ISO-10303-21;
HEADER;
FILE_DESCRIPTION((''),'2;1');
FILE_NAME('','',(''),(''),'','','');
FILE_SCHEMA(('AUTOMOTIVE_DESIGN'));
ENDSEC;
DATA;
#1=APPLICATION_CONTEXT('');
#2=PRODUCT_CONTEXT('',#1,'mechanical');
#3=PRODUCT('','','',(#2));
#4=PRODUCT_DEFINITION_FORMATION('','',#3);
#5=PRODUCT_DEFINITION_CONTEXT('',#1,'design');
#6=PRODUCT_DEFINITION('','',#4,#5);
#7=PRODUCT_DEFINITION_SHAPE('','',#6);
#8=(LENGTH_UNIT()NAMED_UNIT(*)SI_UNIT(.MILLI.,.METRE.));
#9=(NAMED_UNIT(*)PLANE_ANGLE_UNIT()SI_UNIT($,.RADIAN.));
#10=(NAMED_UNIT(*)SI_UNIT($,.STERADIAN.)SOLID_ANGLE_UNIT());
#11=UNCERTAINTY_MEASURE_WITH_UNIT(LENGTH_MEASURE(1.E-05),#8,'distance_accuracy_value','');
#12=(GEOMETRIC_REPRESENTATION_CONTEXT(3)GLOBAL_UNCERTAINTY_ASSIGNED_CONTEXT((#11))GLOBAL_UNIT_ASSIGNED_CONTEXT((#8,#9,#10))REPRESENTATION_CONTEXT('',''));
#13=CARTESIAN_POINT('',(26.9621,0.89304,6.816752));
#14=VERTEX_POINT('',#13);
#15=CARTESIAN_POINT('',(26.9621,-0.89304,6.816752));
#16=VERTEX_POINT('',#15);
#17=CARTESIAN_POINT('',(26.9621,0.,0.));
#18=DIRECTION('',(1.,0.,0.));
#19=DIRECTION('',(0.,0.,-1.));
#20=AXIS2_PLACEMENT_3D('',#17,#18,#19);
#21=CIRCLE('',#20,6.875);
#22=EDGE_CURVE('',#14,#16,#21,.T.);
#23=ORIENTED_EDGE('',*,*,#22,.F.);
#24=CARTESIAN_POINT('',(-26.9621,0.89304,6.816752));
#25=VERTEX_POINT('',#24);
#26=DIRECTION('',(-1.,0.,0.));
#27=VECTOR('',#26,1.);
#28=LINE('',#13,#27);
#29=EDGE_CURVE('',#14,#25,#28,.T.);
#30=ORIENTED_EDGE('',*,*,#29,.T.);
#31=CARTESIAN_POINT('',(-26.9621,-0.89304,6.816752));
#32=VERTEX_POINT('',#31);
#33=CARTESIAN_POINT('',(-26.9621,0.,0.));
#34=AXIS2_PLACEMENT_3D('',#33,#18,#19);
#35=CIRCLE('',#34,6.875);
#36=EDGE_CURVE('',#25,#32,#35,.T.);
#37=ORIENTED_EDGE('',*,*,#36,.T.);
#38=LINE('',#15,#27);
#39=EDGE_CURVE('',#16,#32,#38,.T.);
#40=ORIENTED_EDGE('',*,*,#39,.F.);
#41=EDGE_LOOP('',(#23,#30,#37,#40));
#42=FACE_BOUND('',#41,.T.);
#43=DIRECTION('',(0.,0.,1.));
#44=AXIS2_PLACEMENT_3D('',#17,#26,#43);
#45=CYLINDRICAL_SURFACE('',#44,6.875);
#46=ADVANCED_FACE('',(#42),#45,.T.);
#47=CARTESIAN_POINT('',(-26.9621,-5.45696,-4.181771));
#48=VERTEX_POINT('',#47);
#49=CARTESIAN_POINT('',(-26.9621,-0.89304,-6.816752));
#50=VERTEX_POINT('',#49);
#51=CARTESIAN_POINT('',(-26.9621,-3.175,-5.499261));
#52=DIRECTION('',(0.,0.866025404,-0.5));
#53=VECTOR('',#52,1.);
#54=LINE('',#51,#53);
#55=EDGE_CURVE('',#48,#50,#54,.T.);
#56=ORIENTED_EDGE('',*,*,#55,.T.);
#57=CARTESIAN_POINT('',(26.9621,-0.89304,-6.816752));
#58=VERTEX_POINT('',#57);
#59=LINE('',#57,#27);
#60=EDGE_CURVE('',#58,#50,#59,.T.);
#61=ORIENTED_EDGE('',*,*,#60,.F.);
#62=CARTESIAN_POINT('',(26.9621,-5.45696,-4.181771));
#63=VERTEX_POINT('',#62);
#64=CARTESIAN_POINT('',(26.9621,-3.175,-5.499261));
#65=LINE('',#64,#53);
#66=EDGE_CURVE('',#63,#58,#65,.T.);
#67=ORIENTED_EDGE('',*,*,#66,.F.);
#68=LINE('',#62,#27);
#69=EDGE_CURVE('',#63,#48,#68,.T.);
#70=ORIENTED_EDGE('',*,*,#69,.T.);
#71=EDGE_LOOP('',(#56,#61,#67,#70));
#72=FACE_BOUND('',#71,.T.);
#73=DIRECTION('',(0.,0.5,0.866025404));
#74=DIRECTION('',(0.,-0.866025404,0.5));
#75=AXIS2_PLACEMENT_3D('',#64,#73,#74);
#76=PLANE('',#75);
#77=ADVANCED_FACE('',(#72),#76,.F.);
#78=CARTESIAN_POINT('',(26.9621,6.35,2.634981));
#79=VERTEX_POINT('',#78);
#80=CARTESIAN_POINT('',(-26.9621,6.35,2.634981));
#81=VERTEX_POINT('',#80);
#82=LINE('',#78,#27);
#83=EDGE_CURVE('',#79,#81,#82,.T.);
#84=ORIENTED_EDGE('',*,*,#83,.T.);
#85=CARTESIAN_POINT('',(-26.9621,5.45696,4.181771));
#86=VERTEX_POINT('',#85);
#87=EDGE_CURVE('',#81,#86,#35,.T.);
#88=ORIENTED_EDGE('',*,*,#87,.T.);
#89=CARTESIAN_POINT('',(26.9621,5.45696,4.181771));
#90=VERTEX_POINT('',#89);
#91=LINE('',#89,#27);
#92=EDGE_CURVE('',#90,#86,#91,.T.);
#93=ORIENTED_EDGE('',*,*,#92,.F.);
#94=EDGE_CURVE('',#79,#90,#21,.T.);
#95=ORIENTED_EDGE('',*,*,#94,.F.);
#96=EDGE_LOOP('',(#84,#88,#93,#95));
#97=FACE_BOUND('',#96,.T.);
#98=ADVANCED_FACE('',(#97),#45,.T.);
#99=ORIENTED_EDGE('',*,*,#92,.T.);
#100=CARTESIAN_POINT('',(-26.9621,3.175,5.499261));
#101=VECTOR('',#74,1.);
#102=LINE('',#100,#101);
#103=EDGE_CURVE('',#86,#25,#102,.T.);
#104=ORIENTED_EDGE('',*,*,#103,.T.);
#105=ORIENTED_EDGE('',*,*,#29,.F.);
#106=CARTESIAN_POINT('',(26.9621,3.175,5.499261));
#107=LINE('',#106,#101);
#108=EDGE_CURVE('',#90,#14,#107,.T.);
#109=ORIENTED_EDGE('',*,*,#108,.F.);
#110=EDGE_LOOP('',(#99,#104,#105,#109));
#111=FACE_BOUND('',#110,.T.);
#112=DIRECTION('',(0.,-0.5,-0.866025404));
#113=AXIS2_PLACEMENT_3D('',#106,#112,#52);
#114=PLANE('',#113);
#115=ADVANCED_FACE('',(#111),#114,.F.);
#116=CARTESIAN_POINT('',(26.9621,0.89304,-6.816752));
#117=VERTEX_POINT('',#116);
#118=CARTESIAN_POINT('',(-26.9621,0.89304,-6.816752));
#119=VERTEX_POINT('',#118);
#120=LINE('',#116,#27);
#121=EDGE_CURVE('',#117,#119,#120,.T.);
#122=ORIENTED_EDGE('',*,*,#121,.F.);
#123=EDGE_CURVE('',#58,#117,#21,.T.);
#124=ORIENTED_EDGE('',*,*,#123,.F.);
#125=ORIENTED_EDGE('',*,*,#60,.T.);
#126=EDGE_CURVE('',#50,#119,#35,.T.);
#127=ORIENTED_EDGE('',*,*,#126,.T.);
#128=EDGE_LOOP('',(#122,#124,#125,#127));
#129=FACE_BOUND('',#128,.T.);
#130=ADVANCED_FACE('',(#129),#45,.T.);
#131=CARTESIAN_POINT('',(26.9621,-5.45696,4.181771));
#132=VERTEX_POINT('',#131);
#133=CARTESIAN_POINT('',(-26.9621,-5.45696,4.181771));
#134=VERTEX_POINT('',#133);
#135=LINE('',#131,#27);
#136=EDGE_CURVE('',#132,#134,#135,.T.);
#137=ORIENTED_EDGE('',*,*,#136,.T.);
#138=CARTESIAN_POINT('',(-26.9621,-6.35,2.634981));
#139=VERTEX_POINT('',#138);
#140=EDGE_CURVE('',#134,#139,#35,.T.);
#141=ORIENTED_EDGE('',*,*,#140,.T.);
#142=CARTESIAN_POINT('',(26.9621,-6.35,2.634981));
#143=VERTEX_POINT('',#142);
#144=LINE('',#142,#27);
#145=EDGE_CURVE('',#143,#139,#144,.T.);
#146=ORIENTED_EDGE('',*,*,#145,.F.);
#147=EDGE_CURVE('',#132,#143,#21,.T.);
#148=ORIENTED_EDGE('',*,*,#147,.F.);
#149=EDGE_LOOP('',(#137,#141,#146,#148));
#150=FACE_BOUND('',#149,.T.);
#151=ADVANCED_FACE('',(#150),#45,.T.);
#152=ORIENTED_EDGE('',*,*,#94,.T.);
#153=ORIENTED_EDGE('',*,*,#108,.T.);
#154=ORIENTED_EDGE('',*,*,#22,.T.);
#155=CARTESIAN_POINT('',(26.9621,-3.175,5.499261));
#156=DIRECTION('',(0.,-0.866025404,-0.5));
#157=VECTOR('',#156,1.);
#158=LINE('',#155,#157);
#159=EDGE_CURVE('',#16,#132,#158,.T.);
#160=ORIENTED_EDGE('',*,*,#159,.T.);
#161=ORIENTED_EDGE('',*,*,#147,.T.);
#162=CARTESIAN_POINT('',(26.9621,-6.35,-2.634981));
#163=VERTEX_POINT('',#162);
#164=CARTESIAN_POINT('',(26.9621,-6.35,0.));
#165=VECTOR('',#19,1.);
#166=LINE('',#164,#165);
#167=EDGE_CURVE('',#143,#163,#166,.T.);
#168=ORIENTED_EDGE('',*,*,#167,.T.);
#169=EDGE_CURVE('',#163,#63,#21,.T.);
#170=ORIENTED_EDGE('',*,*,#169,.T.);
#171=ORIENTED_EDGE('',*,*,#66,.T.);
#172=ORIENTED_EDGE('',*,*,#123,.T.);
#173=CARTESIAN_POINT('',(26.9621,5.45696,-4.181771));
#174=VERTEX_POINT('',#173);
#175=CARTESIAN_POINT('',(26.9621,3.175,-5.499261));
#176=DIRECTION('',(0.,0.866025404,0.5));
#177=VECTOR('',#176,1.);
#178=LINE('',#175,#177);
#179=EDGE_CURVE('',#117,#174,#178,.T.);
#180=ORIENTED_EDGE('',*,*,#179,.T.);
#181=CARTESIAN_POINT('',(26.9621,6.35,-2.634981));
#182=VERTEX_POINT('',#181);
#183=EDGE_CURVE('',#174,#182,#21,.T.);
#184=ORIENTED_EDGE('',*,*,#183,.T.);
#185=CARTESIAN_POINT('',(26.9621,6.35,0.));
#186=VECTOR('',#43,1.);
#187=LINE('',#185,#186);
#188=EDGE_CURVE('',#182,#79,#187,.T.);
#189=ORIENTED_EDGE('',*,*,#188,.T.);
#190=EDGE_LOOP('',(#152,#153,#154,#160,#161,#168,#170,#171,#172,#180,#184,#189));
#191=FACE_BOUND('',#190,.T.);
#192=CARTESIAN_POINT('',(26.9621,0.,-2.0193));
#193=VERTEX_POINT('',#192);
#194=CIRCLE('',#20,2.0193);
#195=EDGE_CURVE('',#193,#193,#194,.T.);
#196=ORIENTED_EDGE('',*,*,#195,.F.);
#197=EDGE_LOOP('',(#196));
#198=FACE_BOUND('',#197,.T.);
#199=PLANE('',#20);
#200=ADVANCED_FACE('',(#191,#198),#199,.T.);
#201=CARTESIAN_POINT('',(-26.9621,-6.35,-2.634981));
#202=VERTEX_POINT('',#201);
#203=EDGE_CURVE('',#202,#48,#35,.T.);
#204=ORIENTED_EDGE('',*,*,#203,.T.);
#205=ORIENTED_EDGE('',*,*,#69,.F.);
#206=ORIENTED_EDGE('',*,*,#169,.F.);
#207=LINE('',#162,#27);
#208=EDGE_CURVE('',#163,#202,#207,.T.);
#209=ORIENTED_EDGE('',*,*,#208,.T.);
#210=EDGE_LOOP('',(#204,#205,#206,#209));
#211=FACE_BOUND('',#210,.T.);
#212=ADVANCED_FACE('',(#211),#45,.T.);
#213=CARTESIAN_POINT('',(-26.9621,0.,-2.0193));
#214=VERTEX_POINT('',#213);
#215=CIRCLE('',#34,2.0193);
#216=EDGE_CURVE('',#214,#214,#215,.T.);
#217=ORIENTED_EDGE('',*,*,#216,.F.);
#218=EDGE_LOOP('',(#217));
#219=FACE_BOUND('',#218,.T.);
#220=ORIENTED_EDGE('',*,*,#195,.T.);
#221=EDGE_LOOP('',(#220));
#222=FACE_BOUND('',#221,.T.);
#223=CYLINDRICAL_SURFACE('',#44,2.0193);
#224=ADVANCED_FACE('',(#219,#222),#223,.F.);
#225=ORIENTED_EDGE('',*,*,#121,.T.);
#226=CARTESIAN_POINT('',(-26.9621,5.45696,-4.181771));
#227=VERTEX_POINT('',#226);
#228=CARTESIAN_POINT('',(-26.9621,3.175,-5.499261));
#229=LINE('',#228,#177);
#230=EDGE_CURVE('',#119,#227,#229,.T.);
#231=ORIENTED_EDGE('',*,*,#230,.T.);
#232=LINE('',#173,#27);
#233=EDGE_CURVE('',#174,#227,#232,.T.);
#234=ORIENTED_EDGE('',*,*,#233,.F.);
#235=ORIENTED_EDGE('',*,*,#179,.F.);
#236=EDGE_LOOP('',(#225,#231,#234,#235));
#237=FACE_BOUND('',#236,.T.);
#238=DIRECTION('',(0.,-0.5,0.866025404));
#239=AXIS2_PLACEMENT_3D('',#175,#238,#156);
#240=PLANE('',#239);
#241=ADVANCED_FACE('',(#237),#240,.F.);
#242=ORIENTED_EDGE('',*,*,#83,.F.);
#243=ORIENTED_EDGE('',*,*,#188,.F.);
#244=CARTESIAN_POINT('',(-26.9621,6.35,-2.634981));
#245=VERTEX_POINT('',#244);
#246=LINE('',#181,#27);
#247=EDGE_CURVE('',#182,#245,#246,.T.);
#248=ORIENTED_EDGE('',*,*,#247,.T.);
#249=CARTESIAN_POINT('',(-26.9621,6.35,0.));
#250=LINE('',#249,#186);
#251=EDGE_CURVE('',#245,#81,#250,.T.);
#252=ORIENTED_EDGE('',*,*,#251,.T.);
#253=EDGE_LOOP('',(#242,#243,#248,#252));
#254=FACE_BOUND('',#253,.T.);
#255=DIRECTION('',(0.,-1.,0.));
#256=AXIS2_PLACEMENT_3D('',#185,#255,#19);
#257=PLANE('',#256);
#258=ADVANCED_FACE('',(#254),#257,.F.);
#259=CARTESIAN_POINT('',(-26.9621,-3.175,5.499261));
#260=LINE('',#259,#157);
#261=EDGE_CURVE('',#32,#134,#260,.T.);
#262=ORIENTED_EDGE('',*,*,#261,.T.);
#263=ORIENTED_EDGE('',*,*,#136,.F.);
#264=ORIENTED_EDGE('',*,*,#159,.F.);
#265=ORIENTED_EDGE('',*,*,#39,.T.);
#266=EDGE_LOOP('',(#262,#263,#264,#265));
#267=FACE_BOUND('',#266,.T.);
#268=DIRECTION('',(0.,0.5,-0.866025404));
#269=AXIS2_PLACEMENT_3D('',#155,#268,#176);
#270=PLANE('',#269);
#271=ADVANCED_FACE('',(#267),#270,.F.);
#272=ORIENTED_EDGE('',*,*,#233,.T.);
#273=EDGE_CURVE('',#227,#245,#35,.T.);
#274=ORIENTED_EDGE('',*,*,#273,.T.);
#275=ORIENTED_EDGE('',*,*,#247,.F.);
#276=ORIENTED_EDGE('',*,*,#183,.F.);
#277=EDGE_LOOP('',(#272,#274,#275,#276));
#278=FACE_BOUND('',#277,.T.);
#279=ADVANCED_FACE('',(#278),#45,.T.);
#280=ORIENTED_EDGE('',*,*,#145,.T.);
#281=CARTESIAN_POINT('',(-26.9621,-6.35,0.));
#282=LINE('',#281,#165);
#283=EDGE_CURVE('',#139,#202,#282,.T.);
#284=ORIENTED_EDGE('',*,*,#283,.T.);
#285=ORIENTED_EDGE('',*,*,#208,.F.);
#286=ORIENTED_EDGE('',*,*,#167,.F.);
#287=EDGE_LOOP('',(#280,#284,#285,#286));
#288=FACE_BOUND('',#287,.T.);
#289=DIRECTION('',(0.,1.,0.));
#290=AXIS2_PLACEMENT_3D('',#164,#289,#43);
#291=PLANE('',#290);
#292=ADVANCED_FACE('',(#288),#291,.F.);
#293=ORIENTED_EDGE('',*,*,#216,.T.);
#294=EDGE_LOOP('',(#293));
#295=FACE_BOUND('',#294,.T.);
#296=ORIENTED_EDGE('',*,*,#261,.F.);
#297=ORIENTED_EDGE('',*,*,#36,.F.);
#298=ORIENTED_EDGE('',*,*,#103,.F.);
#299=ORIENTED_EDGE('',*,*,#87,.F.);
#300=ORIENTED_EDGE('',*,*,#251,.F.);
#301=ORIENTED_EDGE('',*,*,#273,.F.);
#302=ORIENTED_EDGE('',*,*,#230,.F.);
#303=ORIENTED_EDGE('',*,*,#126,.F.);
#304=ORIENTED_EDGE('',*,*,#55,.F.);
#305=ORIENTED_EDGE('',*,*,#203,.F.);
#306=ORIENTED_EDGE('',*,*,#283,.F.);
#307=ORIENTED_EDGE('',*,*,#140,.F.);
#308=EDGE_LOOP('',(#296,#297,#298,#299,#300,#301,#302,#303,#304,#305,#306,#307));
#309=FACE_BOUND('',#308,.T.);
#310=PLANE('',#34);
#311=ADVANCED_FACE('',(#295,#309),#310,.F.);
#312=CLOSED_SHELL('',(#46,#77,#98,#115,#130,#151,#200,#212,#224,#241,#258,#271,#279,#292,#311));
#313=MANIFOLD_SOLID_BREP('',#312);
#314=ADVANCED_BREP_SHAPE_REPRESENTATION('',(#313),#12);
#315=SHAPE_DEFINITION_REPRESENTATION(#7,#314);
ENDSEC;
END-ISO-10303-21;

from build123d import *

# Parameters (mm, degrees)
SKETCH1_R           = 2.0193
BOSS_EXTRUDE1_DEPTH = 26.9621


with BuildPart() as part:
    # Sketch1 → Boss-Extrude1 (new, symmetric)
    with BuildSketch(Plane(origin=(0, 0, 0), x_dir=(0, 0, -1), z_dir=(1, 0, 0))):
        with BuildLine():
            ThreePointArc((6.874999966, 0), (6.860422465, 0.447468582), (6.816751782, 0.893039571))
            Line((6.816751782, 0.893039571), (4.181770846, 5.456960429))
            ThreePointArc((4.181770846, 5.456960429), (3.437499983, 5.953924622), (2.634980936, 6.35))
            Line((2.634980936, 6.35), (-2.634980936, 6.35))
            ThreePointArc((-2.634980936, 6.35), (-3.437499983, 5.953924622), (-4.181770846, 5.456960429))
            Line((-4.181770846, 5.456960429), (-6.816751782, 0.893039571))
            ThreePointArc((-6.816751782, 0.893039571), (-6.874999966, 0), (-6.816751782, -0.893039571))
            Line((-6.816751782, -0.893039571), (-4.181770846, -5.456960429))
            ThreePointArc((-4.181770846, -5.456960429), (-3.437499983, -5.953924622), (-2.634980936, -6.35))
            Line((-2.634980936, -6.35), (2.634980936, -6.35))
            ThreePointArc((2.634980936, -6.35), (3.437499983, -5.953924622), (4.181770846, -5.456960429))
            Line((4.181770846, -5.456960429), (6.816751782, -0.893039571))
            ThreePointArc((6.816751782, -0.893039571), (6.860422465, -0.447468582), (6.874999966, 0))
        make_face()
        Circle(SKETCH1_R, mode=Mode.SUBTRACT)
    extrude(amount=BOSS_EXTRUDE1_DEPTH, both=True)


solid = part.part
